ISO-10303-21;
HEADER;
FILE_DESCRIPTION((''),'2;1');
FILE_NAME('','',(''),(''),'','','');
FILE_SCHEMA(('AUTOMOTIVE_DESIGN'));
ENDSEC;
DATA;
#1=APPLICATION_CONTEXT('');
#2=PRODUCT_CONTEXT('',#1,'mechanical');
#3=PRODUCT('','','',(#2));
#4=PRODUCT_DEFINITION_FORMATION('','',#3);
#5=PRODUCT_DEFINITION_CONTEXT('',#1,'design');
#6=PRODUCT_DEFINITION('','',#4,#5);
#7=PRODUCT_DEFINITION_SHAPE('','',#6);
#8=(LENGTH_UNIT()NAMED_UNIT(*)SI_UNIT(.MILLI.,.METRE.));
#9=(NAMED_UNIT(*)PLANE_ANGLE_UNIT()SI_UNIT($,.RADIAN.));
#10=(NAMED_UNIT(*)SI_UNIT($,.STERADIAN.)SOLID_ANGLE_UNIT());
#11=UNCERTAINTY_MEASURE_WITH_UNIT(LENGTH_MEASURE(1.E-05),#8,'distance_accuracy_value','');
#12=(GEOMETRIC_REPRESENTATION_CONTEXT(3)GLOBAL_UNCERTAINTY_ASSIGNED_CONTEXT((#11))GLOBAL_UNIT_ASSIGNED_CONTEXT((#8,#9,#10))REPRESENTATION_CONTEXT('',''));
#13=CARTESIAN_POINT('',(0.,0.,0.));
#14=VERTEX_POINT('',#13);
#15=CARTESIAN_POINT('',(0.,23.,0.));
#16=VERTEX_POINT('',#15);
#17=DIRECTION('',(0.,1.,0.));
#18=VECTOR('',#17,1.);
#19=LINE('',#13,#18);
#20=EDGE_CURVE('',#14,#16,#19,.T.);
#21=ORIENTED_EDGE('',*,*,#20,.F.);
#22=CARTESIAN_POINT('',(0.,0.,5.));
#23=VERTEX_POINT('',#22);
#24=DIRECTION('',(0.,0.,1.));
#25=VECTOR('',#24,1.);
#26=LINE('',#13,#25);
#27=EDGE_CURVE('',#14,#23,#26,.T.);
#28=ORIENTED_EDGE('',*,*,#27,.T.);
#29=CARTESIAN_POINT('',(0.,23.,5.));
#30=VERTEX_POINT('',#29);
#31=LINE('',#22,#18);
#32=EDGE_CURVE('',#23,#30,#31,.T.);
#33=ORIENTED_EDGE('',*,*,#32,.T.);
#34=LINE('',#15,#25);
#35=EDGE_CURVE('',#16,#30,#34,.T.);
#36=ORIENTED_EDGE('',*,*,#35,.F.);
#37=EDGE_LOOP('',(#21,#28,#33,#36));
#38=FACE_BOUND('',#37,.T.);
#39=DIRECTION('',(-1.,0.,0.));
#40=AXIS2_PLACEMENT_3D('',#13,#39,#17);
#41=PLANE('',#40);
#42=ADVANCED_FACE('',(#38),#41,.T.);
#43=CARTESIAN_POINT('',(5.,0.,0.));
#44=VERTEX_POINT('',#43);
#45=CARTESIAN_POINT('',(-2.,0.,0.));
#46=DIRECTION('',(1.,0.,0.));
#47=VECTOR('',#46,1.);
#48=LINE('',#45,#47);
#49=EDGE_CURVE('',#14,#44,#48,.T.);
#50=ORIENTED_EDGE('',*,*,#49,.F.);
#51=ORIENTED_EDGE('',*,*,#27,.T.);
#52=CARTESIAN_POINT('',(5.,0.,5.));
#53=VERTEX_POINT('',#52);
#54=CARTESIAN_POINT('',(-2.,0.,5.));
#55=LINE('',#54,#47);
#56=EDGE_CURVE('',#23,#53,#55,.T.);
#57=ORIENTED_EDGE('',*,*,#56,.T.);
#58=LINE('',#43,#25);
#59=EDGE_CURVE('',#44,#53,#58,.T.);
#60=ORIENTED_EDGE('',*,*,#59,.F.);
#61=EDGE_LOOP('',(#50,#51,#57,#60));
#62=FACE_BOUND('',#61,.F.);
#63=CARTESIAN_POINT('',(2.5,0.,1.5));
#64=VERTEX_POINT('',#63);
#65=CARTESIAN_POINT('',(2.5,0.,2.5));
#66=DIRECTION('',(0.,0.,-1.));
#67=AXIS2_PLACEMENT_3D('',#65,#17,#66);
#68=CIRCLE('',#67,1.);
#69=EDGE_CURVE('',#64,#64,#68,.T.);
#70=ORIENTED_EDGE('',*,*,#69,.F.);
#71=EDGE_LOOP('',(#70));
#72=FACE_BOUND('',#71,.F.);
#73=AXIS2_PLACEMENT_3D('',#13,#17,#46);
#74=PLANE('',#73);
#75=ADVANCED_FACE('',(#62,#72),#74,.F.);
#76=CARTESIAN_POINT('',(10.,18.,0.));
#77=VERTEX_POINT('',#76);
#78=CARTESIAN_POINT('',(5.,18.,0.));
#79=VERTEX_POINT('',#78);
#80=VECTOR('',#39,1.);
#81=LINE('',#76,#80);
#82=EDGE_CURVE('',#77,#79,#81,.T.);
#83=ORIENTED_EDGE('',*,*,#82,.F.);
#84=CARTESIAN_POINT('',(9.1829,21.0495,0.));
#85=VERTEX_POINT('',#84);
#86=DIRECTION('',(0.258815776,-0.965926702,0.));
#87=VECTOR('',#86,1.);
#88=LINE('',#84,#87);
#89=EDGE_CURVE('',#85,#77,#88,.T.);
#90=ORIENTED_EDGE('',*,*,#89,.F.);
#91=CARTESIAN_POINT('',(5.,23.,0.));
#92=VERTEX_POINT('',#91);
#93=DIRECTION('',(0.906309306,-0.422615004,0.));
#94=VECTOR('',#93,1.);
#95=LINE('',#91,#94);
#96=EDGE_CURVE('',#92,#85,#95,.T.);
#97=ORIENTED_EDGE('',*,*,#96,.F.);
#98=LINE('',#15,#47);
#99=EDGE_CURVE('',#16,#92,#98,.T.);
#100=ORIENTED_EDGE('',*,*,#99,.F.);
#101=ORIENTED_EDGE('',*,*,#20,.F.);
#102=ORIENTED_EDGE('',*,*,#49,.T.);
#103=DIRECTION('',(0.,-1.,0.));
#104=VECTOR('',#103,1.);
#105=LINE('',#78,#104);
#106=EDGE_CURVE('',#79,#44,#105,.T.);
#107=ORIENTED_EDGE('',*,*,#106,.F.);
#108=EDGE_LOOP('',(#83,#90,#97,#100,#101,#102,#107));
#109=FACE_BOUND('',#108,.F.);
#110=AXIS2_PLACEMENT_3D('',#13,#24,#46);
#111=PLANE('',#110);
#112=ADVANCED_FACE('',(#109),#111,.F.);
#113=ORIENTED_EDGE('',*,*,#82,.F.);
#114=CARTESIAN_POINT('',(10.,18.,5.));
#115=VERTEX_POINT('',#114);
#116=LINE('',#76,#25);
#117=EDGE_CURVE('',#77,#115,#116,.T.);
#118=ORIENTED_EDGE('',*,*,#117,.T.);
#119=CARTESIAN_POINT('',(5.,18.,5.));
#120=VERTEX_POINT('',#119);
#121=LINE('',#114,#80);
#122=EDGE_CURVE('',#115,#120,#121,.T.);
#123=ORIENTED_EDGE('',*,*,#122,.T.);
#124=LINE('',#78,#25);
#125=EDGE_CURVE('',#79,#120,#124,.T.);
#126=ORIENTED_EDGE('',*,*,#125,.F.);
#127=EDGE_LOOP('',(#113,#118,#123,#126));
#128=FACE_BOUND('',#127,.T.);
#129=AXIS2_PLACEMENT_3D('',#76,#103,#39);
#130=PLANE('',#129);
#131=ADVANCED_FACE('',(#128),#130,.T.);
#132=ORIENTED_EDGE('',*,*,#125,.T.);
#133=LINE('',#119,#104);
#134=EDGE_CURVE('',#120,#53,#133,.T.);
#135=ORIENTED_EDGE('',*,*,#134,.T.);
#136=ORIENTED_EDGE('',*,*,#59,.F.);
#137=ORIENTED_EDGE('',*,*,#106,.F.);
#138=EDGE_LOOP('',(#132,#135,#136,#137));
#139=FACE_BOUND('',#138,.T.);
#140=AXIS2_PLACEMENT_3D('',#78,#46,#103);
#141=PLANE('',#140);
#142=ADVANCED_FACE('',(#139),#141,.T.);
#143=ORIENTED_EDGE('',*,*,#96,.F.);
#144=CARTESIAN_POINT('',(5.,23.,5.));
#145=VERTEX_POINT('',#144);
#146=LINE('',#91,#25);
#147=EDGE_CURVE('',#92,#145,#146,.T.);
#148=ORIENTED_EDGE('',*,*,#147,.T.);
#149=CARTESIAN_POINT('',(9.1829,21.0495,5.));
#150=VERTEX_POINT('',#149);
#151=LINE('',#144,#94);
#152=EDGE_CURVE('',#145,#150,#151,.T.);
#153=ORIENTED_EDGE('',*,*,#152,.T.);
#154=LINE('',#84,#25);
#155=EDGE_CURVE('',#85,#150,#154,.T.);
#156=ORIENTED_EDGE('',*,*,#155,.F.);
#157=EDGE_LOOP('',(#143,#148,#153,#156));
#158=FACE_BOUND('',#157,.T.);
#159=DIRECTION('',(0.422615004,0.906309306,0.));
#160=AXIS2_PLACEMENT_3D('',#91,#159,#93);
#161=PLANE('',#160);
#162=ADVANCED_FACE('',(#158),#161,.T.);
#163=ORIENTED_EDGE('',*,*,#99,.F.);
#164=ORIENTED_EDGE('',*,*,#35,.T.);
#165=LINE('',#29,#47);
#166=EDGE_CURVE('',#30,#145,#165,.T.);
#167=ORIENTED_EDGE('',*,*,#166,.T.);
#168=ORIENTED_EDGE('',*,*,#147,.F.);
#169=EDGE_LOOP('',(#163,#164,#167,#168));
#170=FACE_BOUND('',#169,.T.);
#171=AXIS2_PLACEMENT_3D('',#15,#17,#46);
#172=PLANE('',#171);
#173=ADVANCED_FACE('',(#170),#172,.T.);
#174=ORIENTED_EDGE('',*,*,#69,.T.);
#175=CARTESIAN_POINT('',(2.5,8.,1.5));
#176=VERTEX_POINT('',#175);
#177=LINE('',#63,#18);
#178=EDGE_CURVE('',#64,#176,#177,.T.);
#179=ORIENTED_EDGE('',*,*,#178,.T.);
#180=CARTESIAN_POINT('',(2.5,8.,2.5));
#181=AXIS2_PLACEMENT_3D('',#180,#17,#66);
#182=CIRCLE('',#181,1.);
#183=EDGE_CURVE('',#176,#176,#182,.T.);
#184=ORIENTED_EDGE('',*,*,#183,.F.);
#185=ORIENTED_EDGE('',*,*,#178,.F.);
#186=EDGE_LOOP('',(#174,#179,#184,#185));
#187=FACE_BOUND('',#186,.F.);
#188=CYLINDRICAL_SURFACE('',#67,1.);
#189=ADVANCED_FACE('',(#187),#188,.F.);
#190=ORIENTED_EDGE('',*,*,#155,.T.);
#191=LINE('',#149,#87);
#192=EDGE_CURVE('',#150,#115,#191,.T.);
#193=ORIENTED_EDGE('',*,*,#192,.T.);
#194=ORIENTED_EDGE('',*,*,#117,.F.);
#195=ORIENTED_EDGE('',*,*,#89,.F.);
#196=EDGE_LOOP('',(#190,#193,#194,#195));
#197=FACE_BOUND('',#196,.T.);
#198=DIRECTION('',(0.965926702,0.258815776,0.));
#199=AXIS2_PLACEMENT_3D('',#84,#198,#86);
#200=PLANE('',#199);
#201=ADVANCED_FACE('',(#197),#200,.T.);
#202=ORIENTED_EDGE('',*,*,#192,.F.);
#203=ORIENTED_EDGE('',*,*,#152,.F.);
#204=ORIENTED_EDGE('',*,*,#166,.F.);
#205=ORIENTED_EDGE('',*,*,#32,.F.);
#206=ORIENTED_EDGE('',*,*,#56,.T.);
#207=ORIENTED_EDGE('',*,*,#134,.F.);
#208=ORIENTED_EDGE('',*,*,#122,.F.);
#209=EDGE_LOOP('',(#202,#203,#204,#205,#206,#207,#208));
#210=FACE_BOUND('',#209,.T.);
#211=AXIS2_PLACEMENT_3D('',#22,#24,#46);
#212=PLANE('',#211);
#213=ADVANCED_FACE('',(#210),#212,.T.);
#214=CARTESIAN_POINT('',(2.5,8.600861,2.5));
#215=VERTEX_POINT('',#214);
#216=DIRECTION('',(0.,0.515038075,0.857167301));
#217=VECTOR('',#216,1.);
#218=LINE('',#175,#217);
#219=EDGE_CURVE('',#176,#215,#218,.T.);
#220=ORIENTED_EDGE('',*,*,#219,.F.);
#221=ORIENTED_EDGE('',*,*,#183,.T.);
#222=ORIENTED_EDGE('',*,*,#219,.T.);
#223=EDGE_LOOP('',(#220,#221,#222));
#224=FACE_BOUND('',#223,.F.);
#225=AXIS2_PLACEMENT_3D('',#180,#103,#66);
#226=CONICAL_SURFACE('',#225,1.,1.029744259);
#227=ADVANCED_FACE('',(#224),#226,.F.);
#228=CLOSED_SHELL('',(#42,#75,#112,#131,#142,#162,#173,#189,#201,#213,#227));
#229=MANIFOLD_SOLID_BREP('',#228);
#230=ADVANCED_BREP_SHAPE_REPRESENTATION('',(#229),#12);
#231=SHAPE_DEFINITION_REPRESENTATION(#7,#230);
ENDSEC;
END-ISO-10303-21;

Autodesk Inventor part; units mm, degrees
ref_plane "YZ Plane" through (0, 0, 0) normal (1, 0, 0) x (0, 1, 0)
ref_plane "XZ Plane" through (0, 0, 0) normal (0, 1, 0) x (-1, 0, 0)
ref_plane "XY Plane" through (0, 0, 0) normal (0, 0, 1) x (1, 0, 0)
sketch "Esquisse1" plane through (0, 0, 0) normal (0, 0, 1) x (1, 0, 0)
  line L0 (0, 0) -> (0, 23)
  line L1 (-2, 0) -> (12, 0) projected
  line L2 (0, -4.6) -> (0, 27.6) projected
  line L3 (0, 23) -> (5, 23)
  line L4 (5, 23) -> (9.1829, 21.0495)
  line L5 (9.1829, 21.0495) -> (10, 18)
  line L6 (10, 18) -> (5, 18)
  line L7 (5, 18) -> (5, 0)
  line L8 (0, 0) -> (5, 0)
  point P0 (0, 0)
  dimension "d8" = 5
  dimension "d9" = 5
  dimension "d10" = 75
  dimension "d12" = 130
  dimension "d13" = 18
  dimension "d14" = 5
  dimension "d24" = 5
extrude "Extrusion1" add sketch "Esquisse1" along normal blind 5
sketch "Esquisse3" plane through (0, 0, 0) normal (0, -1, 0) x (1, 0, 0)
  line L0 (0, 5) -> (5, 5) projected
  line L1 (0, 0) -> (0, 5) projected
  point P0 (2.5, 2.5)
  point P1 (2.5, 5)
  dimension "d15" = 2.5
  dimension "d16" = 2.5
hole "Perçage1" at (2.5, 0, 2.5) direction (0, 1, 0) diameter 2 depth 8 tip angle 118
properties part number "calle"
